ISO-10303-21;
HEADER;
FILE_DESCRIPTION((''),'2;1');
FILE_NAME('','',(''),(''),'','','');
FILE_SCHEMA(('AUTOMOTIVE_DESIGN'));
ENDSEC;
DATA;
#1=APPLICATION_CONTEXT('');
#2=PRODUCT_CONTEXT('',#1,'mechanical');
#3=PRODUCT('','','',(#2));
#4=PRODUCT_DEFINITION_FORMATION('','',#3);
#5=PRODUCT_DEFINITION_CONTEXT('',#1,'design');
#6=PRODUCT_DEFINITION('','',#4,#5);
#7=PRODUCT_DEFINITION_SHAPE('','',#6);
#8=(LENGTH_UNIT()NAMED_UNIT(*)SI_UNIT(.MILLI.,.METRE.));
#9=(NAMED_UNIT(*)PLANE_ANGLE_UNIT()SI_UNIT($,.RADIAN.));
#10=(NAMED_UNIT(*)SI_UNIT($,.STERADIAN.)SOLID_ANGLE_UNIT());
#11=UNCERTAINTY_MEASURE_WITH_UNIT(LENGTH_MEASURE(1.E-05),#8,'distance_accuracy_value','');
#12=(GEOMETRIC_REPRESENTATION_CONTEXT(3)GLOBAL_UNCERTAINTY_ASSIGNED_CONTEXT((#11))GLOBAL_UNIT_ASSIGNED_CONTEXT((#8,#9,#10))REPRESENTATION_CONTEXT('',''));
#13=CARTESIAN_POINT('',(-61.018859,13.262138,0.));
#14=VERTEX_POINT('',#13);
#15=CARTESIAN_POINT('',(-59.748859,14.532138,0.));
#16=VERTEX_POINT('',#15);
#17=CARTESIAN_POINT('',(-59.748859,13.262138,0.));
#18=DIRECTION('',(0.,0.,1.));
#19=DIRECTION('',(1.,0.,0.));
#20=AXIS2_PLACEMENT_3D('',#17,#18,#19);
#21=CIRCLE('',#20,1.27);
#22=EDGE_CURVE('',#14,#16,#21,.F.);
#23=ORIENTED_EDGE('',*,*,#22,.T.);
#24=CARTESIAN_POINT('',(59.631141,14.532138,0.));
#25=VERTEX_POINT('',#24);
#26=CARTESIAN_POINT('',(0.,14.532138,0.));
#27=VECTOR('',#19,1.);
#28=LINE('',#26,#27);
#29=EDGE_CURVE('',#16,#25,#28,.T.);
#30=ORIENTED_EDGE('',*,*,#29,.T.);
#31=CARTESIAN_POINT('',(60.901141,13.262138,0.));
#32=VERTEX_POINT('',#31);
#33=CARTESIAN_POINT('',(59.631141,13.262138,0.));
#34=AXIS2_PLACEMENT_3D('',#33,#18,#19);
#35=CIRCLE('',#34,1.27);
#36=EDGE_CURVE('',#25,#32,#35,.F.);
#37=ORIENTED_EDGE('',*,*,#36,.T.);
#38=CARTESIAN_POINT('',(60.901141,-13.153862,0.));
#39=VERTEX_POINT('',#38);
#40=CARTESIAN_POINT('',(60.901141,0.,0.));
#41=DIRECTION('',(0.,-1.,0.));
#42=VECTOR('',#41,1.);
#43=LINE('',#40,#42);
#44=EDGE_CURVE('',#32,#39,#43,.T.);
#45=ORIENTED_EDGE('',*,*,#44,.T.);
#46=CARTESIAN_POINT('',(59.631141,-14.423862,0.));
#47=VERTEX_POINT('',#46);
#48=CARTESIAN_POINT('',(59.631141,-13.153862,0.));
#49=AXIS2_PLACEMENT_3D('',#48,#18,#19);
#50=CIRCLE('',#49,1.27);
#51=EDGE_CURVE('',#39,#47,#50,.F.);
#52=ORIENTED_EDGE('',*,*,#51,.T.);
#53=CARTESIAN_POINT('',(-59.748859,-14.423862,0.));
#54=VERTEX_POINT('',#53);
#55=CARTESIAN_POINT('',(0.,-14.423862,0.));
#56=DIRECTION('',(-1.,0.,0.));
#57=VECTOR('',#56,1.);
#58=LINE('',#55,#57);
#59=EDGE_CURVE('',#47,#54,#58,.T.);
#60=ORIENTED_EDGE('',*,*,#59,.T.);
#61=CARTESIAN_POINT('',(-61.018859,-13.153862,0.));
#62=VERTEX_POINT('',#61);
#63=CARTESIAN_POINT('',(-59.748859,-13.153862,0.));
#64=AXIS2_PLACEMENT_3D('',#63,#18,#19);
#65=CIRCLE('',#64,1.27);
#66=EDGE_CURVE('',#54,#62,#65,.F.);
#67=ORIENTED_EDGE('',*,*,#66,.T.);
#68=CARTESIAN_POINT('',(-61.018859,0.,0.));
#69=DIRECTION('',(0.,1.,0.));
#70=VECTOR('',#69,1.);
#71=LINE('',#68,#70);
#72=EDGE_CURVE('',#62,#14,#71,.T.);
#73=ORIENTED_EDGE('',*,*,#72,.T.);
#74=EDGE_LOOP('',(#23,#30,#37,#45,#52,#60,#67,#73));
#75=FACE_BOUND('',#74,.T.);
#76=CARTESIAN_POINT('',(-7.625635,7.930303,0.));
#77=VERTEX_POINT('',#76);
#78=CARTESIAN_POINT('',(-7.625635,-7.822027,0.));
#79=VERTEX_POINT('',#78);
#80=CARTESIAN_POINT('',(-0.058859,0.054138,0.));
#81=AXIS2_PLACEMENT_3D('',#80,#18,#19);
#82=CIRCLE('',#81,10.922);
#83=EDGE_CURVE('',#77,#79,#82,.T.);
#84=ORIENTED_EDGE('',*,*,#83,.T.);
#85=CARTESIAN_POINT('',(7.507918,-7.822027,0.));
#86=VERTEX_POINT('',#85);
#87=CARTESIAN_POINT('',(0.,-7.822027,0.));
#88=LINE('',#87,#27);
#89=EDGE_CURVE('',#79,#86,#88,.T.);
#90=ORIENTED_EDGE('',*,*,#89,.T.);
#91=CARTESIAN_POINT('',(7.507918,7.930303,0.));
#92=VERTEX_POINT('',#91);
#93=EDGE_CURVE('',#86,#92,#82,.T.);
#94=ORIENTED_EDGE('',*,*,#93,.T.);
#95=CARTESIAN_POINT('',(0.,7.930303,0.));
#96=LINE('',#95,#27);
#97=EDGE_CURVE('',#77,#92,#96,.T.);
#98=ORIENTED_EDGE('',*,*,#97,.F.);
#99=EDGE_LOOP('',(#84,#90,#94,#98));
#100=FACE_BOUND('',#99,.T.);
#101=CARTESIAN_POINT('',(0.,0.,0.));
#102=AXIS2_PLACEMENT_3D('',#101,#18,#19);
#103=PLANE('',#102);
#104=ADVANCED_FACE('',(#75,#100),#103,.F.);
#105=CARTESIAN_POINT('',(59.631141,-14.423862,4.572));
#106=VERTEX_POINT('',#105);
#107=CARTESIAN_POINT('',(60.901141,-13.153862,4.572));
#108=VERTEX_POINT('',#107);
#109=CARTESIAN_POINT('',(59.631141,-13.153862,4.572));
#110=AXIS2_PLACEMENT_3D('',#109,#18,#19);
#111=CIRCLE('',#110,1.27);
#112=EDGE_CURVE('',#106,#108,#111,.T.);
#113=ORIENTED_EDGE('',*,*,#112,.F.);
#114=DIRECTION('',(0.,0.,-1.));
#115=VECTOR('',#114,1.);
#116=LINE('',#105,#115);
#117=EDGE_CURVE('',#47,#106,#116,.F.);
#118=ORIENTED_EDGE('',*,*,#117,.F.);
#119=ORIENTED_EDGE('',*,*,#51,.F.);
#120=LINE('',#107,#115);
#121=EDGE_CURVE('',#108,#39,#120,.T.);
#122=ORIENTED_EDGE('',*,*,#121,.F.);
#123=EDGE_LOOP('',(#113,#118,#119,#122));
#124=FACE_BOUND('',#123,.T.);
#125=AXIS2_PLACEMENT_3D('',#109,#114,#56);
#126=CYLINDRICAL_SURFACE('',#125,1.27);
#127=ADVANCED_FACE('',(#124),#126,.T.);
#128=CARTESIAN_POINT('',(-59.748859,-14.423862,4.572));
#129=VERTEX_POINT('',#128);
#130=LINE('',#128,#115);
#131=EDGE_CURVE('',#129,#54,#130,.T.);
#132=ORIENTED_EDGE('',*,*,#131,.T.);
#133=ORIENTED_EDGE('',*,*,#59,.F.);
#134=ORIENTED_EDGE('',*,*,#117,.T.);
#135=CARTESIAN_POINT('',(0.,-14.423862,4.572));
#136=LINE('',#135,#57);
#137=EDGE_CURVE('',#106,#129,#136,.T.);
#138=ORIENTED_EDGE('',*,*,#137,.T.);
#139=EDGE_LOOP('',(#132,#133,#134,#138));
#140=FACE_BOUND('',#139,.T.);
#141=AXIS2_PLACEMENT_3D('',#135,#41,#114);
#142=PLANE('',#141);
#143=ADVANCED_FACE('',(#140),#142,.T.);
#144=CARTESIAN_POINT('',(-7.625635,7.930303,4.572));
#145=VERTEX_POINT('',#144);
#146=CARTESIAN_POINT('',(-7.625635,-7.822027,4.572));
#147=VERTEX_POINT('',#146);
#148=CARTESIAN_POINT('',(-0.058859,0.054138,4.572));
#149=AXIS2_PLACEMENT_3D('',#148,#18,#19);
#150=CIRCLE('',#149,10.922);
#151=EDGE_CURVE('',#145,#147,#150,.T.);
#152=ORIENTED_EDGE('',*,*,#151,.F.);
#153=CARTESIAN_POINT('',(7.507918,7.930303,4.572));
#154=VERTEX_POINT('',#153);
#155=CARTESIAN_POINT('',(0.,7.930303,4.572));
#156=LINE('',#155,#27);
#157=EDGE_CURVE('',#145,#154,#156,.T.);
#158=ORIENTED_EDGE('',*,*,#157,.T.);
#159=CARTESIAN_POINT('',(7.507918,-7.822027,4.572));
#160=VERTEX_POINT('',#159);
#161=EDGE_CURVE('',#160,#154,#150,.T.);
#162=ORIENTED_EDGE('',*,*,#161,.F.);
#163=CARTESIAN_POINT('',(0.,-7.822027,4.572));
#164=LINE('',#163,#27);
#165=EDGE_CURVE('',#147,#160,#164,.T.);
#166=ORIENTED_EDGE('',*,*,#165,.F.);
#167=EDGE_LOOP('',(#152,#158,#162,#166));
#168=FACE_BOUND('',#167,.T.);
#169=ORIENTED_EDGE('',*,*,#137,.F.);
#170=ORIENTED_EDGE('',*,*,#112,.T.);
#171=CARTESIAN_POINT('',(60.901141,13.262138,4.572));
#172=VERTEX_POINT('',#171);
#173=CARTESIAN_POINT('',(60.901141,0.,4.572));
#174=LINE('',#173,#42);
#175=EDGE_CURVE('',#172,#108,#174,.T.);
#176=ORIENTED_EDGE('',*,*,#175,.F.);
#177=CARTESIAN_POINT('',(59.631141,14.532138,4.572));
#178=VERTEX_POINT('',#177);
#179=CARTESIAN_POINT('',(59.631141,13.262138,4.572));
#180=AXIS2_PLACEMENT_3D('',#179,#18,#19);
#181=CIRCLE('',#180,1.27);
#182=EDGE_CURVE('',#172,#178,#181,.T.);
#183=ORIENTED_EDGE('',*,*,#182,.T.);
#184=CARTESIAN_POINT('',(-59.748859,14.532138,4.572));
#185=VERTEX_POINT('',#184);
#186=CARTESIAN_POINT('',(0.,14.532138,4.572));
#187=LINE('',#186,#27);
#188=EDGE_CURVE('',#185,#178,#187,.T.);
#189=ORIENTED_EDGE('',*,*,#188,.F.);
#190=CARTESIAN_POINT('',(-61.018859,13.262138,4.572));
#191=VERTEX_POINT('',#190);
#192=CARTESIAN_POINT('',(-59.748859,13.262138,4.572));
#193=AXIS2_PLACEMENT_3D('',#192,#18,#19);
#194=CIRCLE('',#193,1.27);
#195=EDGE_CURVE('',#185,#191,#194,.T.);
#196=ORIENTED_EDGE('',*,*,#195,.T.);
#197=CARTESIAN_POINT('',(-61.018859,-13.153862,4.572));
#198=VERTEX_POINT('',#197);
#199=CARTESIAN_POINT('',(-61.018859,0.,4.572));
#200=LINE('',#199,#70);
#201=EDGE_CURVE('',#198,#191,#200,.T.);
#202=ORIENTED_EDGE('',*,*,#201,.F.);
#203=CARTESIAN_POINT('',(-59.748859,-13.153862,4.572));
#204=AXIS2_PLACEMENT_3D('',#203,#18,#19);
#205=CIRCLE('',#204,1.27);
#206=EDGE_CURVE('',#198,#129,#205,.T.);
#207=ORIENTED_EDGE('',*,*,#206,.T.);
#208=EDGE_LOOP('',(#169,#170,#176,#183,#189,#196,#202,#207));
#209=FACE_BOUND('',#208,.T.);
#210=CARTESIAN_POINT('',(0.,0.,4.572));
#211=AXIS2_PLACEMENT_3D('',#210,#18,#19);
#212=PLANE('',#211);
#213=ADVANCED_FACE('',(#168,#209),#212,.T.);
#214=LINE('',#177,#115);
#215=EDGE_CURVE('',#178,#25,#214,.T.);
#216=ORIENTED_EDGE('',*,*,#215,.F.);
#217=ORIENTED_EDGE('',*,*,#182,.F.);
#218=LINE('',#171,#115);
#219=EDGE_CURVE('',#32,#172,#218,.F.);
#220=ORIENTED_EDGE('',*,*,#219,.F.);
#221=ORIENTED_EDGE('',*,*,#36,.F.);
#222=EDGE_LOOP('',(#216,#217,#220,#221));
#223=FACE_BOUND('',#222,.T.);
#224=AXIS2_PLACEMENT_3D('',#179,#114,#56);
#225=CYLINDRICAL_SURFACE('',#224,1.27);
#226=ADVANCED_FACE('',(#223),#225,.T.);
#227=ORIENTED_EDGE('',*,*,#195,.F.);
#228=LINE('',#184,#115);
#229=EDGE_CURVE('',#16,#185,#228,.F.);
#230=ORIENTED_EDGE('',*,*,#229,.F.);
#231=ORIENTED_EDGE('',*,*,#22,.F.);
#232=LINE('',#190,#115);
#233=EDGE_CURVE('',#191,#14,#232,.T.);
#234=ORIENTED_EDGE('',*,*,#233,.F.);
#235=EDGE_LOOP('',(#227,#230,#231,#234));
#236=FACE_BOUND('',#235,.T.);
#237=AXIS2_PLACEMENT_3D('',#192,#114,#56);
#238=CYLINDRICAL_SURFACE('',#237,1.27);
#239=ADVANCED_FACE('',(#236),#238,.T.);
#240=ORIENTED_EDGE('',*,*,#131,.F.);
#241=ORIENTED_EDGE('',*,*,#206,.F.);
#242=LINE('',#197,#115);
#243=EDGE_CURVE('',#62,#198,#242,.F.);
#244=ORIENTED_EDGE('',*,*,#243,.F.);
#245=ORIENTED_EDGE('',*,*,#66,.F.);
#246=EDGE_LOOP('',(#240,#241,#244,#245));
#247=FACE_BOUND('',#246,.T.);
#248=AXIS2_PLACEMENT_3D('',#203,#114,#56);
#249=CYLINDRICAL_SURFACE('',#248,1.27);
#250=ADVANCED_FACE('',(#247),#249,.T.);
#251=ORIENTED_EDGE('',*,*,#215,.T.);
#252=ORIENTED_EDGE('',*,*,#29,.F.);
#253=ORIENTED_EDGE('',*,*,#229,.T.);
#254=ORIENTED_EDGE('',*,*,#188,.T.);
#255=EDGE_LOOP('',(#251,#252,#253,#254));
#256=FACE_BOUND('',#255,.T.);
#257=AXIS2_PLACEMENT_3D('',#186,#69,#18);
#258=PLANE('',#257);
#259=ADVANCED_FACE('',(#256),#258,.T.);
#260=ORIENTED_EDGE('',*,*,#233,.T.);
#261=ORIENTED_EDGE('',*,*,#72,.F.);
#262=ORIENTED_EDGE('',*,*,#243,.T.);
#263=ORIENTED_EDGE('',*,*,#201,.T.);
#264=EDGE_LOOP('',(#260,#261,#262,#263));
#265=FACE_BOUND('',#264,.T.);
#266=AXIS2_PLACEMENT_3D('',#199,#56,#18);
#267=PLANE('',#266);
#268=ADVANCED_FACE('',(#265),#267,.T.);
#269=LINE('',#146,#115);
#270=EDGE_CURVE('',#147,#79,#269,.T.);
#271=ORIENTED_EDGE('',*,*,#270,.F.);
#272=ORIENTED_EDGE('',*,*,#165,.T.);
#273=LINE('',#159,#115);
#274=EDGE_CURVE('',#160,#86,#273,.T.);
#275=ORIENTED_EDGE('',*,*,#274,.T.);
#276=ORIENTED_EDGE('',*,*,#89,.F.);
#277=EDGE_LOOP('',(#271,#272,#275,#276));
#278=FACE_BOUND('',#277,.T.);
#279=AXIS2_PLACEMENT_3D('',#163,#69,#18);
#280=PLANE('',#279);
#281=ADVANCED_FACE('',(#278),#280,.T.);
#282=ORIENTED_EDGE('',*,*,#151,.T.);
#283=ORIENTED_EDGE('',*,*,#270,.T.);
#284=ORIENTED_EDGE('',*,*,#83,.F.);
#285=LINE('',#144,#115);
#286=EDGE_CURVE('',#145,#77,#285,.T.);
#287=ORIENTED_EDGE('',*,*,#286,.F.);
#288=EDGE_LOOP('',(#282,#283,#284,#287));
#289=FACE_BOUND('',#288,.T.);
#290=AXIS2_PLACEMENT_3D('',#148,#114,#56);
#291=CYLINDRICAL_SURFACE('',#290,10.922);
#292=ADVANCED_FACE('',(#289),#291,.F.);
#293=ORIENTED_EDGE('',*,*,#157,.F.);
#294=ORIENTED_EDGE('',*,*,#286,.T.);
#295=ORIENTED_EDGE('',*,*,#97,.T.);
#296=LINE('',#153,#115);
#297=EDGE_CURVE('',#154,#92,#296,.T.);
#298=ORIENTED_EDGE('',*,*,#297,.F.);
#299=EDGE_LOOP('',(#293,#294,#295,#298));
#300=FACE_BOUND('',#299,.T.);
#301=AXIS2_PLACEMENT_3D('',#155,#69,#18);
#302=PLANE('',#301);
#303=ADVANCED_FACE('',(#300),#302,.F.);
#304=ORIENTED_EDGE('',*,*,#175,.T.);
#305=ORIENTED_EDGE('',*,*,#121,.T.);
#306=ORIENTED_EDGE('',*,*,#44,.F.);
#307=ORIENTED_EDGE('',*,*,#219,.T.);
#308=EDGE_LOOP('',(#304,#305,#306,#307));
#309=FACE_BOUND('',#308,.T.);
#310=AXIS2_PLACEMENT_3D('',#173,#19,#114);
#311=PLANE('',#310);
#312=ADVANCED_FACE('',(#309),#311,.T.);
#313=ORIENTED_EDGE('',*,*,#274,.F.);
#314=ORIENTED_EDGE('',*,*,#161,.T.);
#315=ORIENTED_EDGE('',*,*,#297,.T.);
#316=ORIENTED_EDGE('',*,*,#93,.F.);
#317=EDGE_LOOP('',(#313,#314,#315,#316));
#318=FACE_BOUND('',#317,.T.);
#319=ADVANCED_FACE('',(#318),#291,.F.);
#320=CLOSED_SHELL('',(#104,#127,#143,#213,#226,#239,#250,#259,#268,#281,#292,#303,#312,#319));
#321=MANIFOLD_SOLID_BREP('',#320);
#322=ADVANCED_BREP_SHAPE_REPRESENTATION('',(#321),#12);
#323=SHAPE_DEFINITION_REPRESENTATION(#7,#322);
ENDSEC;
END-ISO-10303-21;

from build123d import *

# Parameters (mm, degrees)
BOSS_EXTRUDE1_DEPTH = 4.572
FILLET3_R           = 1.27
FILLET4_R           = 1.27
FILLET5_R           = 1.27
FILLET6_R           = 1.27


with BuildPart() as part:
    # Sketch1 → Boss-Extrude1 (new body)
    with BuildSketch(Plane.XY):
        Polygon((60.901141121, 14.532138101), (60.901141121, -14.423861899), (-0.058858879, -14.423861899), (-61.018858879, -14.423861899), (-61.018858879, 14.532138101), (-0.058858879, 14.532138101), align=None)
        with BuildLine():
            ThreePointArc((-7.625635449, 7.93030318), (-10.980858879, 0.054138101), (-7.625635449, -7.822026977))
            Line((-7.625635449, -7.822026977), (7.507917691, -7.822026977))
            ThreePointArc((7.507917691, -7.822026977), (10.863141121, 0.054138101), (7.507917691, 7.93030318))
            Line((7.507917691, 7.93030318), (-7.625635449, 7.93030318))
        make_face(mode=Mode.SUBTRACT)
    extrude(amount=BOSS_EXTRUDE1_DEPTH)

    # Fillet3
    fillet3_edges = [part.edges().sort_by_distance(p)[0] for p in [
        (-61.018858879, 14.532138101, 2.286),
    ]]
    fillet(fillet3_edges, radius=FILLET3_R)

    # Fillet4
    fillet4_edges = [part.edges().sort_by_distance(p)[0] for p in [
        (-61.018858879, -14.423861899, 2.286),
    ]]
    fillet(fillet4_edges, radius=FILLET4_R)

    # Fillet5
    fillet5_edges = [part.edges().sort_by_distance(p)[0] for p in [
        (60.901141121, -14.423861899, 2.286),
    ]]
    fillet(fillet5_edges, radius=FILLET5_R)

    # Fillet6
    fillet6_edges = [part.edges().sort_by_distance(p)[0] for p in [
        (60.901141121, 14.532138101, 2.286),
    ]]
    fillet(fillet6_edges, radius=FILLET6_R)


solid = part.part
